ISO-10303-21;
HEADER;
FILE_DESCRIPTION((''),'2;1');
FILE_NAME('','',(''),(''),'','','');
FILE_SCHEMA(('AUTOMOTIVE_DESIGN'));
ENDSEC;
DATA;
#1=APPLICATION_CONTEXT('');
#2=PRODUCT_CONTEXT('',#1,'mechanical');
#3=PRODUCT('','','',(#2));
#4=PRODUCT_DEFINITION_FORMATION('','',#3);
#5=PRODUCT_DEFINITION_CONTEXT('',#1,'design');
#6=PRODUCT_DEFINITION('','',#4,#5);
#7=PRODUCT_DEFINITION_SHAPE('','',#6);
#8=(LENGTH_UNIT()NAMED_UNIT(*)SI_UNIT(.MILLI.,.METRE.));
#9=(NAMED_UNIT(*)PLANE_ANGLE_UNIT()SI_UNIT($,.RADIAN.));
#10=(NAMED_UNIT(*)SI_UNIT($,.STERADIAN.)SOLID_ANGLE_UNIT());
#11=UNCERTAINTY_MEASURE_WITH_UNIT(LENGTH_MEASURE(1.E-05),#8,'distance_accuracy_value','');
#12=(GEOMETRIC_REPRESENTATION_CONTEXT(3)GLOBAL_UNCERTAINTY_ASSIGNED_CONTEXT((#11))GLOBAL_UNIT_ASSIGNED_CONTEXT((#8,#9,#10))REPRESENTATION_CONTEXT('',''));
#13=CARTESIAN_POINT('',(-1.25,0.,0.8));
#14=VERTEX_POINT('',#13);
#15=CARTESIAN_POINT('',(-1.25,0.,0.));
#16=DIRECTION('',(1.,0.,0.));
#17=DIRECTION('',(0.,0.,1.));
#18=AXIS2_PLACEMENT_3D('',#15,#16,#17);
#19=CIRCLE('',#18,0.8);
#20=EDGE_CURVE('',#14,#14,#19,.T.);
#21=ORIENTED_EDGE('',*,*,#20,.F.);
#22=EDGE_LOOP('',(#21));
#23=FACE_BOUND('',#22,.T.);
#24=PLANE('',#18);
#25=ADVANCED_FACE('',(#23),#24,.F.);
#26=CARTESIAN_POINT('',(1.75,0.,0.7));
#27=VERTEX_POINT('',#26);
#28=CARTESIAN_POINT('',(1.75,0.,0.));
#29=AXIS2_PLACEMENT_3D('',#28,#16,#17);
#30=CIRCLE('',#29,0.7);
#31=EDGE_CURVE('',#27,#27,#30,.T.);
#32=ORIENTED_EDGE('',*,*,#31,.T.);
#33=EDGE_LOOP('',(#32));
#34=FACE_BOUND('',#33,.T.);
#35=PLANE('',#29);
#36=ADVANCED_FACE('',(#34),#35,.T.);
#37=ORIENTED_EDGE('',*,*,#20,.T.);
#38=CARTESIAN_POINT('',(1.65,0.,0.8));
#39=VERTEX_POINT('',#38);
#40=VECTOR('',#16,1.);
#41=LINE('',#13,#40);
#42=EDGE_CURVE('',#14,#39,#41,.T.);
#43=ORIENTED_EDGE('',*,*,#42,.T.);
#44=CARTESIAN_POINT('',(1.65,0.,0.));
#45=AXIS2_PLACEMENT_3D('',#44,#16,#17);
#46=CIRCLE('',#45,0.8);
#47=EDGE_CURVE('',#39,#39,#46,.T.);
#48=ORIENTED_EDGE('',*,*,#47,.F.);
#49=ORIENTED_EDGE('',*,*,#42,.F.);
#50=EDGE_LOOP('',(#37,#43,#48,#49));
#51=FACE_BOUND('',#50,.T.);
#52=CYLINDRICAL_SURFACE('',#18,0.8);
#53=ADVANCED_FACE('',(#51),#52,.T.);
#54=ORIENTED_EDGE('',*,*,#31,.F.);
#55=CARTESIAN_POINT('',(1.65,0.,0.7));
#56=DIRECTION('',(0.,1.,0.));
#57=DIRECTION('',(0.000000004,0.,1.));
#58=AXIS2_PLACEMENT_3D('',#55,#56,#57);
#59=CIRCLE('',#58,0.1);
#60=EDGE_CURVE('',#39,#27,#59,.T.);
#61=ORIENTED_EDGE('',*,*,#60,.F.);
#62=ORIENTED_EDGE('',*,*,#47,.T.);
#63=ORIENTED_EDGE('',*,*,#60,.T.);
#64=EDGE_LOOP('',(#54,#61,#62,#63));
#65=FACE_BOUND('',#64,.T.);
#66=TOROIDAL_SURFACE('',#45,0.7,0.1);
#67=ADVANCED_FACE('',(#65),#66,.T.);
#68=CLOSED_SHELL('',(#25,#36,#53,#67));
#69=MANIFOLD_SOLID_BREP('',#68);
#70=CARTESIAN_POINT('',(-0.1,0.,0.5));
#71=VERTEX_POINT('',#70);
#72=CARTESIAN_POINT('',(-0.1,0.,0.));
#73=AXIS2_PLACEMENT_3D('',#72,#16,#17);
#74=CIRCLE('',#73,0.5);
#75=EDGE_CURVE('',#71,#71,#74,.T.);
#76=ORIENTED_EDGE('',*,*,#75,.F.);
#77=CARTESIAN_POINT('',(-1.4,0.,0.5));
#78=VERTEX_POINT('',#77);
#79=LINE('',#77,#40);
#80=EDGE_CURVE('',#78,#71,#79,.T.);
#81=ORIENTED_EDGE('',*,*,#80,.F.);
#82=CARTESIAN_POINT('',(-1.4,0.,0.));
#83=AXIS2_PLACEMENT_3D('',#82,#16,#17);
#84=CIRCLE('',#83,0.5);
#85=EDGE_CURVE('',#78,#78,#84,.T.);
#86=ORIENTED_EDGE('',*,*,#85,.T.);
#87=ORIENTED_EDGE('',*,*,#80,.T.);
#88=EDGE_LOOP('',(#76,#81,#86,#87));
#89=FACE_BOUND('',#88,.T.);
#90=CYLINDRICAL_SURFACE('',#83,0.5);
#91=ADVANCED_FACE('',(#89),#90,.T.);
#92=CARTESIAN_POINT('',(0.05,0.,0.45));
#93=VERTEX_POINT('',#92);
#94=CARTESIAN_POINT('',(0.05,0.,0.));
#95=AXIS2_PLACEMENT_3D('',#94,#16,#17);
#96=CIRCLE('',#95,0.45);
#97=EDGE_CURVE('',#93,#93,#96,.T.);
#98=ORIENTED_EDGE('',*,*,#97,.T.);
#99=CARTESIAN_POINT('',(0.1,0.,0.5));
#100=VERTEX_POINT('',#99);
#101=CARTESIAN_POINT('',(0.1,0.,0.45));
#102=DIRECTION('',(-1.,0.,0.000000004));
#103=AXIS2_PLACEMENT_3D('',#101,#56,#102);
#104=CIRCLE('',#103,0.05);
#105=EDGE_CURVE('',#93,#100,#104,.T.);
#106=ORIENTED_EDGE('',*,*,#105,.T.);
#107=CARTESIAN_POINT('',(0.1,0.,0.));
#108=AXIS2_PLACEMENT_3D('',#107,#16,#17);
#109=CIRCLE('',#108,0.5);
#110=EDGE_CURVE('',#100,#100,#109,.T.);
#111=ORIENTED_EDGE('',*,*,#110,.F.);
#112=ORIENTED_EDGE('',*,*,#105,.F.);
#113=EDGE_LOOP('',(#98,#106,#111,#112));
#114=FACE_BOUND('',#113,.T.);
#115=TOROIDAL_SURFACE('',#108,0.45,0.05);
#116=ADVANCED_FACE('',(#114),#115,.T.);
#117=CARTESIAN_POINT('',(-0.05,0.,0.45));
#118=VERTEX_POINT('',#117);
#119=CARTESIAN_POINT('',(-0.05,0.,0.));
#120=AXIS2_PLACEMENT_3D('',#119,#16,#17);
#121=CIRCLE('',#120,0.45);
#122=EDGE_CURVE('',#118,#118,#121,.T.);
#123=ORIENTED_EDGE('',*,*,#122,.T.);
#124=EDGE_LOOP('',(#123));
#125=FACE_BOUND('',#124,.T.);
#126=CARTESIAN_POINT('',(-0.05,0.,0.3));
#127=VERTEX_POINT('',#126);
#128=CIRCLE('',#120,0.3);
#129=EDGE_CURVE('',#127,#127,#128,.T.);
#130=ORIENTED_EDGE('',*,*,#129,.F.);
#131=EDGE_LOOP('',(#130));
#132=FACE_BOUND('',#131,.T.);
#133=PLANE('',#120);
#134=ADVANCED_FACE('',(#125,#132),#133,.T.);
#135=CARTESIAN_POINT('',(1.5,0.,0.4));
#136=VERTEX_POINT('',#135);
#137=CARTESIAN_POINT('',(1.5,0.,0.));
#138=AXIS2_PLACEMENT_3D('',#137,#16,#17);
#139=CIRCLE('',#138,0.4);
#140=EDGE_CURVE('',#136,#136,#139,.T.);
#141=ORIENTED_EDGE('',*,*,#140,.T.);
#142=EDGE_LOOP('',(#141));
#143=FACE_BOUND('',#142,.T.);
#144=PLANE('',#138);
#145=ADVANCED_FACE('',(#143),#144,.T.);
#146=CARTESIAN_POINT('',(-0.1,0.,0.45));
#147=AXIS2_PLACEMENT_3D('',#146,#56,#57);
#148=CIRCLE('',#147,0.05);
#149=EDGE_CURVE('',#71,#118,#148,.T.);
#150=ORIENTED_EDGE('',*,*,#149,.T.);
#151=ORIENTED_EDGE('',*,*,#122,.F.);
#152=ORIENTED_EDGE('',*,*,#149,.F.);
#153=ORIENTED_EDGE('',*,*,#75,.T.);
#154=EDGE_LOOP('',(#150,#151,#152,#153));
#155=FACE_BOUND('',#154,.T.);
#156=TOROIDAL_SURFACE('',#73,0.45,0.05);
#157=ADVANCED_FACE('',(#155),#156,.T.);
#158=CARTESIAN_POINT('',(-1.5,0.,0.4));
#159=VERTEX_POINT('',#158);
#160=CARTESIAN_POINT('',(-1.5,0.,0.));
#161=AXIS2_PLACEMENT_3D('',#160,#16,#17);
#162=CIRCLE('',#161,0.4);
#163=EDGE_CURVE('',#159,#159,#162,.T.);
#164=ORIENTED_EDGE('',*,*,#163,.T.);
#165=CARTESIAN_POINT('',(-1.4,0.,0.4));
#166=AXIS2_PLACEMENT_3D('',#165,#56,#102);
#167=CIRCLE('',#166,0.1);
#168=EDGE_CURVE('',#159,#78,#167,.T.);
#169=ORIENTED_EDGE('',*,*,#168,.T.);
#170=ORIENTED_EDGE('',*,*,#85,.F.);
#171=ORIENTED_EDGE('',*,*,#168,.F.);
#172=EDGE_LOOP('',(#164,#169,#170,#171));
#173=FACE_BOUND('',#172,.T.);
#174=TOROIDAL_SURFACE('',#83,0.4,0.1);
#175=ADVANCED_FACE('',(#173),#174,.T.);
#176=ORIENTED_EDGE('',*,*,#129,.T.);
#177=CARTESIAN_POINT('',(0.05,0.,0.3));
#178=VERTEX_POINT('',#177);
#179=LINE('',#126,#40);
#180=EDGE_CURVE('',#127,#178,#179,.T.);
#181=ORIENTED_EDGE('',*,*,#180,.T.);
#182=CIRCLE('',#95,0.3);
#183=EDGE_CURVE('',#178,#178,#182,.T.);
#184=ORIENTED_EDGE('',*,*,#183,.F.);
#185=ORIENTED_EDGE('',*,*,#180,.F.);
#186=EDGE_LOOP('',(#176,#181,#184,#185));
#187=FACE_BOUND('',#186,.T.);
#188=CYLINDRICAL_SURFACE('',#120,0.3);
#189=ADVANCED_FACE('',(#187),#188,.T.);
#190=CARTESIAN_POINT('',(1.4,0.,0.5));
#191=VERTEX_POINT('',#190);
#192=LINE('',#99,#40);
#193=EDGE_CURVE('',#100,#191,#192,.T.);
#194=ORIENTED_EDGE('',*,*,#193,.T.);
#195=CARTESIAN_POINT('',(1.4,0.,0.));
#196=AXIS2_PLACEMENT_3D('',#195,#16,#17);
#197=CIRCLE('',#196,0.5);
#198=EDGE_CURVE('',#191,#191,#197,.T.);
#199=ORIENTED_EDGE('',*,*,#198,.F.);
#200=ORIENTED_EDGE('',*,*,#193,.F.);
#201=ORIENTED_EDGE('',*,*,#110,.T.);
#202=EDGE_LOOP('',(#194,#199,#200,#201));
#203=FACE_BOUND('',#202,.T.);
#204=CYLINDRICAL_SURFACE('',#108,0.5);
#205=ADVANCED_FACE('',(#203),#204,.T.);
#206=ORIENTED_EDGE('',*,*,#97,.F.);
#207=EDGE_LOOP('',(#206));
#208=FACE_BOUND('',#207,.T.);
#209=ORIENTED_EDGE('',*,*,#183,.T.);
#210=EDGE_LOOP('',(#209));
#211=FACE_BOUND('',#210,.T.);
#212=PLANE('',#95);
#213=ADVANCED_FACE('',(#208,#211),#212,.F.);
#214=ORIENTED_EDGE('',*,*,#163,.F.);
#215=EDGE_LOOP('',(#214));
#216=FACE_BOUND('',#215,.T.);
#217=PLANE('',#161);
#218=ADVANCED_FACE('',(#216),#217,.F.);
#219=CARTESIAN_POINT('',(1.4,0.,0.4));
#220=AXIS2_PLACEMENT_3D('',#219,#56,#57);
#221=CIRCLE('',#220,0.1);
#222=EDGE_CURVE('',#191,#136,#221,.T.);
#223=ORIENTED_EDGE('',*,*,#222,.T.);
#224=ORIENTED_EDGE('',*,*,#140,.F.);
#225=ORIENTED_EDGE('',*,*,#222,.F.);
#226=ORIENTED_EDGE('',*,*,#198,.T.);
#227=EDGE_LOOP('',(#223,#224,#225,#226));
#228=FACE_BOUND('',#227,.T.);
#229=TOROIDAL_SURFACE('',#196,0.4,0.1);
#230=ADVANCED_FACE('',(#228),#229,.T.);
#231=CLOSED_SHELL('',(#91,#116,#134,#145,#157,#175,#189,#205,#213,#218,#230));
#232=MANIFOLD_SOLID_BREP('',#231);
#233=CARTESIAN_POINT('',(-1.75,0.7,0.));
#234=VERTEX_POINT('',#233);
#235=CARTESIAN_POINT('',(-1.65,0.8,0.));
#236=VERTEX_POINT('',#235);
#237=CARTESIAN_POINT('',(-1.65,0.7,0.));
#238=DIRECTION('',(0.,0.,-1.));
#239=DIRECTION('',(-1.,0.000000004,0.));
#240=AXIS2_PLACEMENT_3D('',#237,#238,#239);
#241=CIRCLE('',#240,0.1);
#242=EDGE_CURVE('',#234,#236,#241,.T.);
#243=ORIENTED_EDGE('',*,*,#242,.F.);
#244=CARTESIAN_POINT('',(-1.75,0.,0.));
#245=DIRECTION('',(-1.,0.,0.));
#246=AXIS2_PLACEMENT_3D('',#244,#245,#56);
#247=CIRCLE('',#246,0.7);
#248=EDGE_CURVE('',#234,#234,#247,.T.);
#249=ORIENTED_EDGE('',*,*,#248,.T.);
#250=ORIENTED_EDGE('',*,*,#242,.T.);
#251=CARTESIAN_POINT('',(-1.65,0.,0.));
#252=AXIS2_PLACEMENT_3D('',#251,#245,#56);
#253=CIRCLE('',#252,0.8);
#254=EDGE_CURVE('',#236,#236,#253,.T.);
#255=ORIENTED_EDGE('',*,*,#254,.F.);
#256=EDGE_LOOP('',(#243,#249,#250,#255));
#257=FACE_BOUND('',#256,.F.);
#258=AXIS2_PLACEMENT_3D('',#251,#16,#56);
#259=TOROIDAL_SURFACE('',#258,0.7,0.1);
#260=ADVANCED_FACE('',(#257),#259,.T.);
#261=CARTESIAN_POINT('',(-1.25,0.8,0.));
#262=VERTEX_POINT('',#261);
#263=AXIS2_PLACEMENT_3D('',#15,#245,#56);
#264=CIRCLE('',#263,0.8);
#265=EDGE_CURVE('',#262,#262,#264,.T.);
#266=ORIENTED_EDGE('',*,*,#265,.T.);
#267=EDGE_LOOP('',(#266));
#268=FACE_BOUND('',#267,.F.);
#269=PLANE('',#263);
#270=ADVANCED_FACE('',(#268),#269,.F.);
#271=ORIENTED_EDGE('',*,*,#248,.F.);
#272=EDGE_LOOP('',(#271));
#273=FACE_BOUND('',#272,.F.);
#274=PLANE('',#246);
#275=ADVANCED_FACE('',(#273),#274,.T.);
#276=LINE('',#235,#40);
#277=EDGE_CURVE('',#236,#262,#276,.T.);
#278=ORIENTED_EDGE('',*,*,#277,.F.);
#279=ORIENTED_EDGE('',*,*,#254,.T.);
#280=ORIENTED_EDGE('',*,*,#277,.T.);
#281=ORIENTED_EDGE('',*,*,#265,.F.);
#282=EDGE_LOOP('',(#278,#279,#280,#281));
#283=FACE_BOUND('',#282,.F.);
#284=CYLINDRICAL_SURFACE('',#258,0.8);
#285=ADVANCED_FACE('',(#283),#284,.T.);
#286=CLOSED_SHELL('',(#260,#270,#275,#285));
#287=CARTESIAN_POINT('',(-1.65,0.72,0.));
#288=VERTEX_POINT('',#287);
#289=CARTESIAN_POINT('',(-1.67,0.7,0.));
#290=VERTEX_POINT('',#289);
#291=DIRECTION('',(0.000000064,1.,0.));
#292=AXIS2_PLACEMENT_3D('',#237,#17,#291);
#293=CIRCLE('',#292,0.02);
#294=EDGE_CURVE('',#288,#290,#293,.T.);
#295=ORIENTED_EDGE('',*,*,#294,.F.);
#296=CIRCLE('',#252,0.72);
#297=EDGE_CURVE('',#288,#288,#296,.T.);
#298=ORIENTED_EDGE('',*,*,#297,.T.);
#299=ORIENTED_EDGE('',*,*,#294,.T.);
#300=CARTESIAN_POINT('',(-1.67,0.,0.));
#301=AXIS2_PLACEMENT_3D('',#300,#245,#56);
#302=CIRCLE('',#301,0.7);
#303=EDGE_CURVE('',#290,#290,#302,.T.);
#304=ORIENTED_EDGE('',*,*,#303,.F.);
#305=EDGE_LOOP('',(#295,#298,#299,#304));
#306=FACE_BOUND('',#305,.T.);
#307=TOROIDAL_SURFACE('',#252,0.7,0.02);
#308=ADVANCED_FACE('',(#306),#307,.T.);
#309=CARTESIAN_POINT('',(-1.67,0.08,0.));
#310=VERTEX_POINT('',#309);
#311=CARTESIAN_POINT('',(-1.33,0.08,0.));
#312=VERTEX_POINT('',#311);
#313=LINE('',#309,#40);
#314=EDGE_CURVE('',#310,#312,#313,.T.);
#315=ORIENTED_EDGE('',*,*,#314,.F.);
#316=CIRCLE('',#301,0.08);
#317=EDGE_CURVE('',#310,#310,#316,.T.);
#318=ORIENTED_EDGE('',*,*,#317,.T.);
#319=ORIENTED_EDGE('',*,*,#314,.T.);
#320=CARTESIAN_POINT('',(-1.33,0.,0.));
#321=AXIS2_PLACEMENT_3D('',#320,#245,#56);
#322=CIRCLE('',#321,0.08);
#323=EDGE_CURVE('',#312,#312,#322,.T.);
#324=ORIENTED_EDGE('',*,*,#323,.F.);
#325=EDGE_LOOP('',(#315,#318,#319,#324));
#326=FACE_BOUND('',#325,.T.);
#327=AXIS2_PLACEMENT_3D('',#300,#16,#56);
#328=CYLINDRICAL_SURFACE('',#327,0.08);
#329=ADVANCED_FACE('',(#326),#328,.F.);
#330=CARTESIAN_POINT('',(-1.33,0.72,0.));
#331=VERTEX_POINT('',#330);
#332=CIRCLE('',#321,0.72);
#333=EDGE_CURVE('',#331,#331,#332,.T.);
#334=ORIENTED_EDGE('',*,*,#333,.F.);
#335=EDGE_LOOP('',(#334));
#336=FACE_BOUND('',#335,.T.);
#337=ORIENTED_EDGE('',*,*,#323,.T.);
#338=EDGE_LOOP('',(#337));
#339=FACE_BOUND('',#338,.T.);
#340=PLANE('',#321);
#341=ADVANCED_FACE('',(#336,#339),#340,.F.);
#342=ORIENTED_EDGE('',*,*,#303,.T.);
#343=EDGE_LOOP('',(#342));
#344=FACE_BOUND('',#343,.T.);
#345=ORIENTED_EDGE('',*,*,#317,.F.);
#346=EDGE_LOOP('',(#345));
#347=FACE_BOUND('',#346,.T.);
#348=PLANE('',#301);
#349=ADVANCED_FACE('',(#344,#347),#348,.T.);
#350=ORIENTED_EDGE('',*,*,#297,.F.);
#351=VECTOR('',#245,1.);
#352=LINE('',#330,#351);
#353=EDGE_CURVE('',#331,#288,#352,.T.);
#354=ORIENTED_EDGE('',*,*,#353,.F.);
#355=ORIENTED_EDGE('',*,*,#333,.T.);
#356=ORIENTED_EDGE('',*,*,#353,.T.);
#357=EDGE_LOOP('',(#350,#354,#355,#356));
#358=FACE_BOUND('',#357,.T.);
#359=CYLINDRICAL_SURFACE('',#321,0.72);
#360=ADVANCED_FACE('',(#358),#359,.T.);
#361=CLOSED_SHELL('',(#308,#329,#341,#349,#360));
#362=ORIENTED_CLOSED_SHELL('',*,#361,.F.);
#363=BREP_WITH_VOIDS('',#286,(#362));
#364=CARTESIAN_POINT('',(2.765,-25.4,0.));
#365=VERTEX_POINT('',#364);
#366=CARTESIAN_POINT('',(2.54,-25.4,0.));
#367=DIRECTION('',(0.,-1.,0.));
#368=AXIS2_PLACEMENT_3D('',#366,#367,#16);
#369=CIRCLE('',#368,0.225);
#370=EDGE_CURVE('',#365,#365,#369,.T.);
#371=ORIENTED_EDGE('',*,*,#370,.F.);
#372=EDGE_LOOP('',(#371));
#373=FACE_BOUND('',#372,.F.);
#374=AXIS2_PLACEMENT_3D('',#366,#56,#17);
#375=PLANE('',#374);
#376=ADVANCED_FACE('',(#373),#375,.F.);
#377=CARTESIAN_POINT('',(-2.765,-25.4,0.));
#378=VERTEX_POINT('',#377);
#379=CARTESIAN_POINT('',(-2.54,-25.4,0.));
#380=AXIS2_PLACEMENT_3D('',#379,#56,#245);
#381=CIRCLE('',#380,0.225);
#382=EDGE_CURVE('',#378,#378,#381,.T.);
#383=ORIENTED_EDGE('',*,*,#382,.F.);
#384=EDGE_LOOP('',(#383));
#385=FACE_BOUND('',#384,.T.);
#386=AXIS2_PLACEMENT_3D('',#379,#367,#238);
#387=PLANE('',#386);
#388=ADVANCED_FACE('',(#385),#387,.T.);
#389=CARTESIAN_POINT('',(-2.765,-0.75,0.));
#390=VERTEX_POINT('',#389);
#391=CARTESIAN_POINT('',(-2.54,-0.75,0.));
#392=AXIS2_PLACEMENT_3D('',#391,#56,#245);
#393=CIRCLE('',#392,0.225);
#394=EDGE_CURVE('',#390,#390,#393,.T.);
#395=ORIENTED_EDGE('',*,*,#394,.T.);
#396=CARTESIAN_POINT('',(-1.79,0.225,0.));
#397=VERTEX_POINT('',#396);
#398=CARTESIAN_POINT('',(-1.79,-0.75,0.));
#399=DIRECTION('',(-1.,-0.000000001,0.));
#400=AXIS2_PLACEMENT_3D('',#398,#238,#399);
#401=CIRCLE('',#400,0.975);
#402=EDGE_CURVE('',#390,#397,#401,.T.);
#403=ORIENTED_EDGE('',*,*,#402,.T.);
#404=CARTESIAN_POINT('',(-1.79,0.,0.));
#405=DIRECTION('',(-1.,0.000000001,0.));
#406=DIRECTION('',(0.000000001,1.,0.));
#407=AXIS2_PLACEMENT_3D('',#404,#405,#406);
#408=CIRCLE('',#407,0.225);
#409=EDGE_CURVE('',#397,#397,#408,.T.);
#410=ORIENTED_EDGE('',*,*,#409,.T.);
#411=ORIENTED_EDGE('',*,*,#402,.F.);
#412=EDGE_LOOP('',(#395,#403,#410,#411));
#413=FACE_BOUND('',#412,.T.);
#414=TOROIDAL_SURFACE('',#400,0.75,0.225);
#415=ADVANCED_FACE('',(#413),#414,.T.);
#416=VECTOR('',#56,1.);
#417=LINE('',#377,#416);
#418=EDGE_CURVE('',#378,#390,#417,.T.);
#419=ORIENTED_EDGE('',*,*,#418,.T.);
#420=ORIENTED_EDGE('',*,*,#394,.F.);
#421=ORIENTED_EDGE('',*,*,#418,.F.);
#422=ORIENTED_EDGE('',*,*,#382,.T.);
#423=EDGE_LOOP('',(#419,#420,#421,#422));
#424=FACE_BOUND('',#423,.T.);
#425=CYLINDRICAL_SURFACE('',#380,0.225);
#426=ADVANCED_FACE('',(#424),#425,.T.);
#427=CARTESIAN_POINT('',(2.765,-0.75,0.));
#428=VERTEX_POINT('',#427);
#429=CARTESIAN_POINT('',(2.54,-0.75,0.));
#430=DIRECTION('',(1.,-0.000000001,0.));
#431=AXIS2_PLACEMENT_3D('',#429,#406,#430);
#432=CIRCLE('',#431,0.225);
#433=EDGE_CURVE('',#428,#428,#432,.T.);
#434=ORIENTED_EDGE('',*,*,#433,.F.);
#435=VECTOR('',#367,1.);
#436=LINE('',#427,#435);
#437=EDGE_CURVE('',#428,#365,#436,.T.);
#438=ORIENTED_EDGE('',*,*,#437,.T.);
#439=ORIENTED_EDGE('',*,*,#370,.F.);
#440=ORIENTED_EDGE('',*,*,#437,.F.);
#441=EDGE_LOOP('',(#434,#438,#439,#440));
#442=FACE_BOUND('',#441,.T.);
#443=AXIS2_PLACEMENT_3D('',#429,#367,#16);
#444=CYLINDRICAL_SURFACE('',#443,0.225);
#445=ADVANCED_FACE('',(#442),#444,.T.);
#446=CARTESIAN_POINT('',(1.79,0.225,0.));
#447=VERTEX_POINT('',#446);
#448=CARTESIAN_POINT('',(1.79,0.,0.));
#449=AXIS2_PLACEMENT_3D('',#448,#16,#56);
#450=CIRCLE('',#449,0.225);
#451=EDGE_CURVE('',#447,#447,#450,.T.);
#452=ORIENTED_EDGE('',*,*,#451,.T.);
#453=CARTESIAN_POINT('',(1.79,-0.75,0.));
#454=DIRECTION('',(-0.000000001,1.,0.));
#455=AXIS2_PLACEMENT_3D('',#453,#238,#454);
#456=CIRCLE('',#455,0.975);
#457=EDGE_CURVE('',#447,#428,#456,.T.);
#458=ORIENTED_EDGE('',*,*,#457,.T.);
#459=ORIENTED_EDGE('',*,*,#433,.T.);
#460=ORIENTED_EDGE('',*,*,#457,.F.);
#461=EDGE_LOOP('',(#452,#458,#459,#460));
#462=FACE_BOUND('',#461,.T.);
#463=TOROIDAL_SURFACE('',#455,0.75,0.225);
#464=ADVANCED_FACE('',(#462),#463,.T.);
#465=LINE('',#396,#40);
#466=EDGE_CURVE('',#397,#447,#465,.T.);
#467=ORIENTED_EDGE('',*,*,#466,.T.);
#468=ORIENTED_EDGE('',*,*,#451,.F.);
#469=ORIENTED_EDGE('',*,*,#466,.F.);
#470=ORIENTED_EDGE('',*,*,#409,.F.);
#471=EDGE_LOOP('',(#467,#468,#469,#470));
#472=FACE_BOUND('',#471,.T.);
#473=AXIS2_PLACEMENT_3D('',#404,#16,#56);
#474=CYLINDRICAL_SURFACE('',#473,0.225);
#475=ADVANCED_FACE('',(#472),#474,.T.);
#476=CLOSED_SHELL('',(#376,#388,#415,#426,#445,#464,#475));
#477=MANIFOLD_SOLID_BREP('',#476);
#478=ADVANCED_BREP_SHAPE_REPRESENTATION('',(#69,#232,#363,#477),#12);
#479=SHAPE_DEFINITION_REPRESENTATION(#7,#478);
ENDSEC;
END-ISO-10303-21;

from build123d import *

# Parameters (mm, degrees)
SKETCH2_R = 0.225


with BuildPart() as part:
    # Sweep1: sweep along a path in Sketch1
    with BuildLine(Plane.XY) as sweep1_path:
        Line((-2.54, -25.4), (-2.54, -0.75))
        ThreePointArc((-2.54, -0.75), (-2.320330086, -0.219669914), (-1.79, 0))
        Line((-1.79, 0), (1.79, 0))
        ThreePointArc((1.79, 0), (2.320330086, -0.219669914), (2.54, -0.75))
        Line((2.54, -0.75), (2.54, -25.4))
    # Sketch2 → Sweep1 (sweep)
    with BuildSketch(Plane(origin=(-2.54, -25.4, 0), x_dir=(-1, 0, 0), z_dir=(0, -1, 0))):
        Circle(SKETCH2_R)
    sweep(path=sweep1_path.line)


with BuildPart() as body_2:
    # Sketch3 → Revolve1 (revolve)
    with BuildSketch(Plane.XY, mode=Mode.PRIVATE) as revolve1_sk:
        with BuildLine():
            Line((-1.4, 0.5), (-0.1, 0.5))
            ThreePointArc((-0.1, 0.5), (-0.064644661, 0.485355339), (-0.05, 0.45))
            Line((-0.05, 0.45), (-0.05, 0.3))
            Line((-0.05, 0.3), (0.05, 0.3))
            Line((0.05, 0.3), (0.05, 0.45))
            ThreePointArc((0.05, 0.45), (0.064644661, 0.485355339), (0.1, 0.5))
            Line((0.1, 0.5), (1.4, 0.5))
            ThreePointArc((1.4, 0.5), (1.470710678, 0.470710678), (1.5, 0.4))
            Line((1.5, 0.4), (1.5, 0))
            Line((1.5, 0), (-1.5, 0))
            Line((-1.5, 0), (-1.5, 0.4))
            ThreePointArc((-1.5, 0.4), (-1.470710678, 0.470710678), (-1.4, 0.5))
        make_face()
    revolve(revolve1_sk.sketch.rotate(Axis((-1.5, 0, 0), (1, 0, 0)), 90), axis=Axis((-1.5, 0, 0), (1, 0, 0)))


with BuildPart() as body_3:
    # Sketch4 → Revolve3 (revolve)
    with BuildSketch(Plane.XY, mode=Mode.PRIVATE) as revolve3_sk:
        with BuildLine():
            Line((-1.25, 0), (-1.25, 0.8))
            Line((-1.25, 0.8), (1.65, 0.8))
            ThreePointArc((1.65, 0.8), (1.720710678, 0.770710678), (1.75, 0.7))
            Line((1.75, 0.7), (1.75, 0))
            Line((1.75, 0), (-1.25, 0))
        make_face()
    revolve(revolve3_sk.sketch.rotate(Axis((-1.25, 0, 0), (1, 0, 0)), 90), axis=Axis((-1.25, 0, 0), (1, 0, 0)))


with BuildPart() as body_4:
    # Sketch5 → Revolve4 (revolve)
    with BuildSketch(Plane.XY):
        with BuildLine():
            Line((-1.25, 0), (-1.75, 0))
            Line((-1.75, 0), (-1.75, 0.7))
            ThreePointArc((-1.75, 0.7), (-1.720710678, 0.770710678), (-1.65, 0.8))
            Line((-1.65, 0.8), (-1.25, 0.8))
            Line((-1.25, 0.8), (-1.25, 0))
        make_face()
        with BuildLine():
            Line((-1.33, 0.72), (-1.65, 0.72))
            ThreePointArc((-1.65, 0.72), (-1.664142136, 0.714142136), (-1.67, 0.7))
            Line((-1.67, 0.7), (-1.67, 0.08))
            Line((-1.67, 0.08), (-1.33, 0.08))
            Line((-1.33, 0.08), (-1.33, 0.72))
        make_face(mode=Mode.SUBTRACT)
    revolve(axis=Axis((-1.25, 0, 0), (-1, 0, 0)))


solid = Compound([part.part, body_2.part, body_3.part, body_4.part])
